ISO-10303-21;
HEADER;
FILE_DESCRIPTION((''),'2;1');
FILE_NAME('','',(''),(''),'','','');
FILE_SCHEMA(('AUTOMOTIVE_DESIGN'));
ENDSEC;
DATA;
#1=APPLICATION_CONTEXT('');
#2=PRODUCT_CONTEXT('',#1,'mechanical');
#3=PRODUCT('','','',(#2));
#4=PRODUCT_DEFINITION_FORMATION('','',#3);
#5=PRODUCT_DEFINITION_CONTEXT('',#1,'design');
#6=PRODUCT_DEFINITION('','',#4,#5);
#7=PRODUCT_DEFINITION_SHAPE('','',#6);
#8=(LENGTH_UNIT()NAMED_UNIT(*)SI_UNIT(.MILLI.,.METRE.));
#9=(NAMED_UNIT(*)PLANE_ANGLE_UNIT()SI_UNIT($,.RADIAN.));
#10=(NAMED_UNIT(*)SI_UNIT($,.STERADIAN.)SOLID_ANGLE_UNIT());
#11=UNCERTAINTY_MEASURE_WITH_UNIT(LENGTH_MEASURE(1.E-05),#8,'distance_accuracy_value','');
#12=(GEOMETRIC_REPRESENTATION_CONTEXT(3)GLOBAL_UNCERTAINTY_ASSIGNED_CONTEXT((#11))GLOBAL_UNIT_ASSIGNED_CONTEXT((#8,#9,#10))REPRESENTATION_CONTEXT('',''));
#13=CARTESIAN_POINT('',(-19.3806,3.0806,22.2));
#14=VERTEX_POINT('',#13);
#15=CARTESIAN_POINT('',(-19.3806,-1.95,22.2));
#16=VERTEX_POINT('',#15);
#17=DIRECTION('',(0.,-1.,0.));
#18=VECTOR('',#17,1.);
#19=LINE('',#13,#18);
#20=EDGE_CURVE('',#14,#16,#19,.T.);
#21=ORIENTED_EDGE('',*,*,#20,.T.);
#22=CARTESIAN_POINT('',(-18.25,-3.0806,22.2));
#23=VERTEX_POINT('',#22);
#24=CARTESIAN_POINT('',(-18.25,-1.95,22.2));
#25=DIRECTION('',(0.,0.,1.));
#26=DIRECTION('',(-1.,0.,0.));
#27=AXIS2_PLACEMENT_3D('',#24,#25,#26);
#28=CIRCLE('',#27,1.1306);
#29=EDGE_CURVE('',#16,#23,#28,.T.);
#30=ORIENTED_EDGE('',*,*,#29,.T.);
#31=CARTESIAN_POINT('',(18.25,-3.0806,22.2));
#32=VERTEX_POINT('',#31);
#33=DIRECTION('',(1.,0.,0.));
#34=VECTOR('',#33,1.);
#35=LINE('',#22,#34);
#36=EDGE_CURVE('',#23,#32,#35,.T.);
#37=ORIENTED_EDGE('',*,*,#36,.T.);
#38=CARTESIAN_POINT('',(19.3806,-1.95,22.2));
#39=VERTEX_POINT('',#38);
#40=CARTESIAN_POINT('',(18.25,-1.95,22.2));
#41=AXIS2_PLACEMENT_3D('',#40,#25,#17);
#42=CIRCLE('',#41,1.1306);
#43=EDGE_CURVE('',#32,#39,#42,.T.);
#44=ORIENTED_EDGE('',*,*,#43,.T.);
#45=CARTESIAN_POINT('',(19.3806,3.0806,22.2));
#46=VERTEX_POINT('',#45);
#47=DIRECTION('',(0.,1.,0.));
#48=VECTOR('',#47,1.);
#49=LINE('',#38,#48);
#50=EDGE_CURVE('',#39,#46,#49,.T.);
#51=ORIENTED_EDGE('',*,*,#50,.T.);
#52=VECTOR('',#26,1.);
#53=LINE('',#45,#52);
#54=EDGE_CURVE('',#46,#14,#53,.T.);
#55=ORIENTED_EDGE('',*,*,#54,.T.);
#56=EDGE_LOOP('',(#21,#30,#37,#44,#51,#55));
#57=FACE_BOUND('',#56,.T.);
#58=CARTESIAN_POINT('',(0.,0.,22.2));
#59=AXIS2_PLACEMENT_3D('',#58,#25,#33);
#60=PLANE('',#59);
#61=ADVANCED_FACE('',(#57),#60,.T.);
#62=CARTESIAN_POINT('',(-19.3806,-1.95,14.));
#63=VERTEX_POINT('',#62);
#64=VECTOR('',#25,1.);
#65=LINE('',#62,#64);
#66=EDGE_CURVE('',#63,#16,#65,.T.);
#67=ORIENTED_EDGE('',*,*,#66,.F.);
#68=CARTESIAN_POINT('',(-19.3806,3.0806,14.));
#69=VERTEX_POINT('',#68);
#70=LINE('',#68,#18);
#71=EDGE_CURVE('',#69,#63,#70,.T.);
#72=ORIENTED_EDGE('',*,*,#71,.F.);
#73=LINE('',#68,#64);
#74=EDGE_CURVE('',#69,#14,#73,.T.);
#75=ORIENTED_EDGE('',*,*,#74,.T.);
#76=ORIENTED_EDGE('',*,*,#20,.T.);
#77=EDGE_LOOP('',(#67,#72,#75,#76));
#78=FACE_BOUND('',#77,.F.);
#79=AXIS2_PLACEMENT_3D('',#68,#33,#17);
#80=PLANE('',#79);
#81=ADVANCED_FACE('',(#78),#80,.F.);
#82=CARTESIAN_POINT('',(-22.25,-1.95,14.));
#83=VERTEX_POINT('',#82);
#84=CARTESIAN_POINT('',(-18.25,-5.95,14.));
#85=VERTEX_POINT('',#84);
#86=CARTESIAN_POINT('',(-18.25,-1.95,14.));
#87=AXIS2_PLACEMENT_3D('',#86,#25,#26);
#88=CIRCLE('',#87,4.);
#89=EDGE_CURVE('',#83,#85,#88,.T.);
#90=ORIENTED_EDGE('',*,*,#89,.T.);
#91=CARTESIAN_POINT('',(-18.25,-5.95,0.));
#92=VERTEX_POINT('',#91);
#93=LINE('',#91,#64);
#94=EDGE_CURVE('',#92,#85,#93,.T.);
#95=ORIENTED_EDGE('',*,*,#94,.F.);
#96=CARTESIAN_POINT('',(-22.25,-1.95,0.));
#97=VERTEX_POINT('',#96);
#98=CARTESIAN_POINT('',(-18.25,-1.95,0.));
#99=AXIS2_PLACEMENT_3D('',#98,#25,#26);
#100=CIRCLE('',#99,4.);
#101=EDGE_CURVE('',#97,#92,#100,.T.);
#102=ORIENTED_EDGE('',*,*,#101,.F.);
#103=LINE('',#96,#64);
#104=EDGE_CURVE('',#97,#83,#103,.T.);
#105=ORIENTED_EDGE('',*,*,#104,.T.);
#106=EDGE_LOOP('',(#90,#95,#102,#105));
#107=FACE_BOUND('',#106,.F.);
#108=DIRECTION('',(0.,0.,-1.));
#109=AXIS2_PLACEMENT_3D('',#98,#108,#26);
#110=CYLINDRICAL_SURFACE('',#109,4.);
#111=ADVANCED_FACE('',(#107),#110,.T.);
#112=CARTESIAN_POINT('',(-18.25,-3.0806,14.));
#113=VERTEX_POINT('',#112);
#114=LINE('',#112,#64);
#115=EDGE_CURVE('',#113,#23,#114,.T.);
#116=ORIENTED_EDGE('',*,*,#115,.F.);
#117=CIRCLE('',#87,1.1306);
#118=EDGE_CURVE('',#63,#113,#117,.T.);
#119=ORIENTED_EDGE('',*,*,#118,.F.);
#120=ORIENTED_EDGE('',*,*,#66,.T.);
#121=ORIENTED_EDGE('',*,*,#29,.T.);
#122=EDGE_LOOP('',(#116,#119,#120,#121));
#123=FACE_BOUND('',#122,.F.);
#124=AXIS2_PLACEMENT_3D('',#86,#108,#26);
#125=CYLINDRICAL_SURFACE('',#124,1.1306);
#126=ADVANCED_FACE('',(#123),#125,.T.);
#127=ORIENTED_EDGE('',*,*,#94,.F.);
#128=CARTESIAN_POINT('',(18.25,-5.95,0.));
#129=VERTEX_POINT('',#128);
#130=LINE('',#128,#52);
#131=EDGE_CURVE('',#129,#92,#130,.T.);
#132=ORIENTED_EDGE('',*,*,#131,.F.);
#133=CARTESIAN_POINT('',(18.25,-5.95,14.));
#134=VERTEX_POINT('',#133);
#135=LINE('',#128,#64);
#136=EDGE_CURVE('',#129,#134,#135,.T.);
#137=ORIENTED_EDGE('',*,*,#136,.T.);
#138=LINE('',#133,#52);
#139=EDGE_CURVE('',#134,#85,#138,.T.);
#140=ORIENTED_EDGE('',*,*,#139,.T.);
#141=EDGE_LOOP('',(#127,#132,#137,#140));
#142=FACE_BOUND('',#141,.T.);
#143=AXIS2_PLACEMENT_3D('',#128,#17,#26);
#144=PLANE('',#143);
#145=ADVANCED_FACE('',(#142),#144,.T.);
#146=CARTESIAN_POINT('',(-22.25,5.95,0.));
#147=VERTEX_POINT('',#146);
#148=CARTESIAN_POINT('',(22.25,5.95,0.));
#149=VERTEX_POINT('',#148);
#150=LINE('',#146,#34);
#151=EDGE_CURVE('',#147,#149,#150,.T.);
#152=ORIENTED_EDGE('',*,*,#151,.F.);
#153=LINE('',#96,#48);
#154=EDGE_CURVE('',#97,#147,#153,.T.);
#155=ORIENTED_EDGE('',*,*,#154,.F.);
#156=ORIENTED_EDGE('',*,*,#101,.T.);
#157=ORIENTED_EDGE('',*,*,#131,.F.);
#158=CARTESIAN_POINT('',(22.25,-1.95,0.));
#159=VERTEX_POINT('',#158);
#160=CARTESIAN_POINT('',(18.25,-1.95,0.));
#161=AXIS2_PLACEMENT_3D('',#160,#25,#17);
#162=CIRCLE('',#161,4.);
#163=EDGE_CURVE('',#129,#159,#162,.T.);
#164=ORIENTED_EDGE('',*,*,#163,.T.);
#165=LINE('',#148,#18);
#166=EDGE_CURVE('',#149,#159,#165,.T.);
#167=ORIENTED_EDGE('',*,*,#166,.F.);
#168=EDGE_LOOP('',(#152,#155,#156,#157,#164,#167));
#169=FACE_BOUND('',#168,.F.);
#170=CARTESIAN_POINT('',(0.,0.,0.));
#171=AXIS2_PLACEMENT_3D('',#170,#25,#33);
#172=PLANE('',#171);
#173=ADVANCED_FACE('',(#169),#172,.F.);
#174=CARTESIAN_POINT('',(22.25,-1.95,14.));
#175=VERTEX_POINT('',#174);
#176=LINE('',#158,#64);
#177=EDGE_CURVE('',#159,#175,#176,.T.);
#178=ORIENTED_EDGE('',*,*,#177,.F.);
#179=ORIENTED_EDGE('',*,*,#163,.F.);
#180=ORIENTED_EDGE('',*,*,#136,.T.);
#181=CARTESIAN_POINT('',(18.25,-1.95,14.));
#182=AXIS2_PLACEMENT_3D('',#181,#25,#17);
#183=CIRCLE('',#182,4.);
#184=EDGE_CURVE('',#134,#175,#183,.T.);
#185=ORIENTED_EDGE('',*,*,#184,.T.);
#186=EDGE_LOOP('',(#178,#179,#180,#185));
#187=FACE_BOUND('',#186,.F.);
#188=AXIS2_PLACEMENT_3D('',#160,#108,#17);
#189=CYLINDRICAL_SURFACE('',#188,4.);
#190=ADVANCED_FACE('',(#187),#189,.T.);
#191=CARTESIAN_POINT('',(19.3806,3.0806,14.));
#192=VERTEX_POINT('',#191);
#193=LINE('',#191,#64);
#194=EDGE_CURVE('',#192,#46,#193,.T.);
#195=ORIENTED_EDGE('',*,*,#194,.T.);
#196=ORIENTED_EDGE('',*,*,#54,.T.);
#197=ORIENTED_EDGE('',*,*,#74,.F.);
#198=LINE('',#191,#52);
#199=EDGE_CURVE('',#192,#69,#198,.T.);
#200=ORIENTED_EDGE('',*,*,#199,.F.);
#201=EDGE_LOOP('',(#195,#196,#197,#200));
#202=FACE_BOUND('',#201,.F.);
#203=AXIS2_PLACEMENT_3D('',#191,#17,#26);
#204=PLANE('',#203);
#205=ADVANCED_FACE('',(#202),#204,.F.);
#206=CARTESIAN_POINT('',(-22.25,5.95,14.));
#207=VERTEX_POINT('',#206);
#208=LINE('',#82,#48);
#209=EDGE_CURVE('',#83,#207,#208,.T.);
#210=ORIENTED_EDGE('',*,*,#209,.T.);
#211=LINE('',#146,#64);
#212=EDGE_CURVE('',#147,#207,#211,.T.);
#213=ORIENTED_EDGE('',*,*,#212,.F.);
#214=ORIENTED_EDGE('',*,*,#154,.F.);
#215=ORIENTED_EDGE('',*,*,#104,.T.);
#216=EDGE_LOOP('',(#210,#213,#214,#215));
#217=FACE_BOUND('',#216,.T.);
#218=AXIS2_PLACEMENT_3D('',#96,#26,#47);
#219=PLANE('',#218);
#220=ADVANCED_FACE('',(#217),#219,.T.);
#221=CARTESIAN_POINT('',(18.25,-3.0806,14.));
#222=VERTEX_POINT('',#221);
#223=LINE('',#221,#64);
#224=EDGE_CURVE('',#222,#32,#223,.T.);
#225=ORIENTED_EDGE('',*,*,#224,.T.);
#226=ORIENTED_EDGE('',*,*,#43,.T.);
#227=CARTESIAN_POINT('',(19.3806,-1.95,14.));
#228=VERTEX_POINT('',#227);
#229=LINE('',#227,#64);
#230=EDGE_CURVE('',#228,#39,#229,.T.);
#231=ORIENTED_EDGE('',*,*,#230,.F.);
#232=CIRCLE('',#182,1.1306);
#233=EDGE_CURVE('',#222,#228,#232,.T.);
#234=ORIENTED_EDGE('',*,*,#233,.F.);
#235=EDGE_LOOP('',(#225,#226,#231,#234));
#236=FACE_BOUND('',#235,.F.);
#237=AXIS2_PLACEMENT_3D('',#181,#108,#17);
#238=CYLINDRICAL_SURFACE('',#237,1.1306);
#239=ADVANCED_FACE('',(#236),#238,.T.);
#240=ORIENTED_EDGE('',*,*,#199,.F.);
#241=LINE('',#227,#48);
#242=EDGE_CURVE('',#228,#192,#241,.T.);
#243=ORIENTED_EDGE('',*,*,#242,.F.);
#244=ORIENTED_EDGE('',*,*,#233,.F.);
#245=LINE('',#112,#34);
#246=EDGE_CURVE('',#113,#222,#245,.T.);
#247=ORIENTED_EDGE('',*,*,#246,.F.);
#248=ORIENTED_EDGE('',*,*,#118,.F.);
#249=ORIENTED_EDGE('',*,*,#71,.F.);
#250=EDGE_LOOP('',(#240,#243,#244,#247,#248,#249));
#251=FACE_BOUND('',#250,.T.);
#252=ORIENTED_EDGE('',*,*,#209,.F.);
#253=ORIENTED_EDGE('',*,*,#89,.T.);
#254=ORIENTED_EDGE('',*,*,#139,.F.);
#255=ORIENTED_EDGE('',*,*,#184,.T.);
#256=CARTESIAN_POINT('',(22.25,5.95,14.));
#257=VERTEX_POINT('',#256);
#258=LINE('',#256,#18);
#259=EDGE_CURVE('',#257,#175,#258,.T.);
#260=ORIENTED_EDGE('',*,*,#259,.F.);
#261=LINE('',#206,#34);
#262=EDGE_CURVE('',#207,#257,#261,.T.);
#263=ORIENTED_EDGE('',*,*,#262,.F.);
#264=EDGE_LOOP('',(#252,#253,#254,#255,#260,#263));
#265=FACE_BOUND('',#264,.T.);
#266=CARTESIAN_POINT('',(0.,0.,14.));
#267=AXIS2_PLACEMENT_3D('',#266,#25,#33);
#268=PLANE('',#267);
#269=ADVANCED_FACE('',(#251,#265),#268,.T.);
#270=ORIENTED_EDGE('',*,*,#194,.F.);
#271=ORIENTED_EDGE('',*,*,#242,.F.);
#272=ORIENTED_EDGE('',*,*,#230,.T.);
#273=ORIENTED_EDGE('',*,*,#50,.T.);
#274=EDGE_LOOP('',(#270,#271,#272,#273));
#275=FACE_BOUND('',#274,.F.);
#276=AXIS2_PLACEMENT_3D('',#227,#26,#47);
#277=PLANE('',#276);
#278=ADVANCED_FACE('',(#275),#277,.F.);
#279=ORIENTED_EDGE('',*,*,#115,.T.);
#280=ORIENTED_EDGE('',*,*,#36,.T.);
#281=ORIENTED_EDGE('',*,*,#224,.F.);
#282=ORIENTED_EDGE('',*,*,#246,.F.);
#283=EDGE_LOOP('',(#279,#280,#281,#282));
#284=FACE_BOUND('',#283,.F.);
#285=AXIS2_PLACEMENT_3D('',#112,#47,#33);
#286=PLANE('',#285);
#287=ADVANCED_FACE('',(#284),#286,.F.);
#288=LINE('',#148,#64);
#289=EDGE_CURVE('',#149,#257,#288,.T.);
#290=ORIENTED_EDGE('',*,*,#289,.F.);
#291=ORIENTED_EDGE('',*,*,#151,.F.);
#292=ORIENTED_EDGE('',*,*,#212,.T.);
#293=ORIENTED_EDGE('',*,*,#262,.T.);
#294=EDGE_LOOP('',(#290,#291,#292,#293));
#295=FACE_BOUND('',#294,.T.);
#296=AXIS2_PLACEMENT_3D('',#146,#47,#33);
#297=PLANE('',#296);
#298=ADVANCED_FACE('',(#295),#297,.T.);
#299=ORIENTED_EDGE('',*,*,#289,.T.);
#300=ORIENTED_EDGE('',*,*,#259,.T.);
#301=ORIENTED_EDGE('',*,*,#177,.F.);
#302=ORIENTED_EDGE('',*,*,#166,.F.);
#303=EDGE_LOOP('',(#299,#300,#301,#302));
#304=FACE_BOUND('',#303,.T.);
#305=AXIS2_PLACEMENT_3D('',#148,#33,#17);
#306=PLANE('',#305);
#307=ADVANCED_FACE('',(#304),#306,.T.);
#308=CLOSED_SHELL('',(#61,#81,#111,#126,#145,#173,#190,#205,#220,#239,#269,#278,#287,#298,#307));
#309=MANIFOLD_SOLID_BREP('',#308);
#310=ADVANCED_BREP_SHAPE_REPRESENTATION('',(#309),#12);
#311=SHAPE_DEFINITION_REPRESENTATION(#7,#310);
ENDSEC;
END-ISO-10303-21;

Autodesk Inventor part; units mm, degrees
ref_plane "YZ Plane" through (0, 0, 0) normal (1, 0, 0) x (0, 1, 0)
ref_plane "XZ Plane" through (0, 0, 0) normal (0, 1, 0) x (-1, 0, 0)
ref_plane "XY Plane" through (0, 0, 0) normal (0, 0, 1) x (1, 0, 0)
sketch "Sketch1" plane through (0, 0, 0) normal (0, 0, 1) x (1, 0, 0)
  line L0 (-22.25, 5.95) -> (22.25, 5.95) construction
  line L1 (22.25, 5.95) -> (22.25, -1.95)
  line L2 (18.25, -5.95) -> (-18.25, -5.95)
  line L3 (-22.25, -1.95) -> (-22.25, 5.95)
  line L4 (-22.25, 5.95) -> (22.25, -5.95) construction
  line L5 (22.25, 5.95) -> (-22.25, -5.95) construction
  arc A0 (-22.25, -1.95) -> (-18.25, -5.95) centre (-18.25, -1.95) ccw
  arc A1 (18.25, -5.95) -> (22.25, -1.95) centre (18.25, -1.95) ccw
  line L6 (-18.25, -5.95) -> (18.25, -5.95)
  line L7 (-22.25, -1.95) -> (-22.25, 5.95)
  line L8 (-22.25, 5.95) -> (22.25, 5.95)
  line L9 (22.25, 5.95) -> (22.25, -1.95)
  point P0 (0, 0)
  dimension "d0" = 44.5
  dimension "d1" = 11.9
  dimension "d2" = 4
extrude "Extrusion1" add sketch "Sketch1" along normal blind 14
sketch "Sketch2" plane through (0, 0, 14) normal (0, 0, 1) x (1, 0, 0)
  line L0 (-22.25, 5.95) -> (-22.25, -1.95) projected
  arc A0 (-22.25, -1.95) -> (-18.25, -5.95) centre (-18.25, -1.95) ccw projected
  line L1 (-18.25, -5.95) -> (18.25, -5.95) projected
  arc A1 (18.25, -5.95) -> (22.25, -1.95) centre (18.25, -1.95) ccw projected
  line L2 (22.25, -1.95) -> (22.25, 5.95) projected
  line L3 (22.25, 5.95) -> (-22.25, 5.95) projected
  line L4 (-19.3806, 3.0806) -> (-19.3806, -1.95)
  arc A2 (-19.3806, -1.95) -> (-18.25, -3.0806) centre (-18.25, -1.95) ccw
  line L5 (-18.25, -3.0806) -> (18.25, -3.0806)
  arc A3 (18.25, -3.0806) -> (19.3806, -1.95) centre (18.25, -1.95) ccw
  line L6 (19.3806, -1.95) -> (19.3806, 3.0806)
  line L7 (19.3806, 3.0806) -> (-19.3806, 3.0806)
  point P0 (0, 0)
extrude "Extrusion2" add sketch "Sketch2" along normal blind 8.2 contours L7 L6 A3 L5 A2 L4
sketch "Sketch3" plane through (0, 0, 0) normal (0, 0, -1) x (-1, 0, 0)
  point P0 (0, 0)
  point P1 (0, 0)
sketch "Sketch4" plane through (-22.25, 5.95, 0) normal (0, 1, 0) x (1, 0, 0)
  line L0 (44.5, 0) -> (0, 0) construction
  line L1 (0, 0) -> (0, -14) construction
  line L2 (44.5, -14) -> (0, -14) construction
  line L3 (44.5, 0) -> (44.5, -14) construction
  point P0 (22.25, 0)
  point P1 (22.25, -7)
properties part number "ps2conn" material "PET Plastic"
